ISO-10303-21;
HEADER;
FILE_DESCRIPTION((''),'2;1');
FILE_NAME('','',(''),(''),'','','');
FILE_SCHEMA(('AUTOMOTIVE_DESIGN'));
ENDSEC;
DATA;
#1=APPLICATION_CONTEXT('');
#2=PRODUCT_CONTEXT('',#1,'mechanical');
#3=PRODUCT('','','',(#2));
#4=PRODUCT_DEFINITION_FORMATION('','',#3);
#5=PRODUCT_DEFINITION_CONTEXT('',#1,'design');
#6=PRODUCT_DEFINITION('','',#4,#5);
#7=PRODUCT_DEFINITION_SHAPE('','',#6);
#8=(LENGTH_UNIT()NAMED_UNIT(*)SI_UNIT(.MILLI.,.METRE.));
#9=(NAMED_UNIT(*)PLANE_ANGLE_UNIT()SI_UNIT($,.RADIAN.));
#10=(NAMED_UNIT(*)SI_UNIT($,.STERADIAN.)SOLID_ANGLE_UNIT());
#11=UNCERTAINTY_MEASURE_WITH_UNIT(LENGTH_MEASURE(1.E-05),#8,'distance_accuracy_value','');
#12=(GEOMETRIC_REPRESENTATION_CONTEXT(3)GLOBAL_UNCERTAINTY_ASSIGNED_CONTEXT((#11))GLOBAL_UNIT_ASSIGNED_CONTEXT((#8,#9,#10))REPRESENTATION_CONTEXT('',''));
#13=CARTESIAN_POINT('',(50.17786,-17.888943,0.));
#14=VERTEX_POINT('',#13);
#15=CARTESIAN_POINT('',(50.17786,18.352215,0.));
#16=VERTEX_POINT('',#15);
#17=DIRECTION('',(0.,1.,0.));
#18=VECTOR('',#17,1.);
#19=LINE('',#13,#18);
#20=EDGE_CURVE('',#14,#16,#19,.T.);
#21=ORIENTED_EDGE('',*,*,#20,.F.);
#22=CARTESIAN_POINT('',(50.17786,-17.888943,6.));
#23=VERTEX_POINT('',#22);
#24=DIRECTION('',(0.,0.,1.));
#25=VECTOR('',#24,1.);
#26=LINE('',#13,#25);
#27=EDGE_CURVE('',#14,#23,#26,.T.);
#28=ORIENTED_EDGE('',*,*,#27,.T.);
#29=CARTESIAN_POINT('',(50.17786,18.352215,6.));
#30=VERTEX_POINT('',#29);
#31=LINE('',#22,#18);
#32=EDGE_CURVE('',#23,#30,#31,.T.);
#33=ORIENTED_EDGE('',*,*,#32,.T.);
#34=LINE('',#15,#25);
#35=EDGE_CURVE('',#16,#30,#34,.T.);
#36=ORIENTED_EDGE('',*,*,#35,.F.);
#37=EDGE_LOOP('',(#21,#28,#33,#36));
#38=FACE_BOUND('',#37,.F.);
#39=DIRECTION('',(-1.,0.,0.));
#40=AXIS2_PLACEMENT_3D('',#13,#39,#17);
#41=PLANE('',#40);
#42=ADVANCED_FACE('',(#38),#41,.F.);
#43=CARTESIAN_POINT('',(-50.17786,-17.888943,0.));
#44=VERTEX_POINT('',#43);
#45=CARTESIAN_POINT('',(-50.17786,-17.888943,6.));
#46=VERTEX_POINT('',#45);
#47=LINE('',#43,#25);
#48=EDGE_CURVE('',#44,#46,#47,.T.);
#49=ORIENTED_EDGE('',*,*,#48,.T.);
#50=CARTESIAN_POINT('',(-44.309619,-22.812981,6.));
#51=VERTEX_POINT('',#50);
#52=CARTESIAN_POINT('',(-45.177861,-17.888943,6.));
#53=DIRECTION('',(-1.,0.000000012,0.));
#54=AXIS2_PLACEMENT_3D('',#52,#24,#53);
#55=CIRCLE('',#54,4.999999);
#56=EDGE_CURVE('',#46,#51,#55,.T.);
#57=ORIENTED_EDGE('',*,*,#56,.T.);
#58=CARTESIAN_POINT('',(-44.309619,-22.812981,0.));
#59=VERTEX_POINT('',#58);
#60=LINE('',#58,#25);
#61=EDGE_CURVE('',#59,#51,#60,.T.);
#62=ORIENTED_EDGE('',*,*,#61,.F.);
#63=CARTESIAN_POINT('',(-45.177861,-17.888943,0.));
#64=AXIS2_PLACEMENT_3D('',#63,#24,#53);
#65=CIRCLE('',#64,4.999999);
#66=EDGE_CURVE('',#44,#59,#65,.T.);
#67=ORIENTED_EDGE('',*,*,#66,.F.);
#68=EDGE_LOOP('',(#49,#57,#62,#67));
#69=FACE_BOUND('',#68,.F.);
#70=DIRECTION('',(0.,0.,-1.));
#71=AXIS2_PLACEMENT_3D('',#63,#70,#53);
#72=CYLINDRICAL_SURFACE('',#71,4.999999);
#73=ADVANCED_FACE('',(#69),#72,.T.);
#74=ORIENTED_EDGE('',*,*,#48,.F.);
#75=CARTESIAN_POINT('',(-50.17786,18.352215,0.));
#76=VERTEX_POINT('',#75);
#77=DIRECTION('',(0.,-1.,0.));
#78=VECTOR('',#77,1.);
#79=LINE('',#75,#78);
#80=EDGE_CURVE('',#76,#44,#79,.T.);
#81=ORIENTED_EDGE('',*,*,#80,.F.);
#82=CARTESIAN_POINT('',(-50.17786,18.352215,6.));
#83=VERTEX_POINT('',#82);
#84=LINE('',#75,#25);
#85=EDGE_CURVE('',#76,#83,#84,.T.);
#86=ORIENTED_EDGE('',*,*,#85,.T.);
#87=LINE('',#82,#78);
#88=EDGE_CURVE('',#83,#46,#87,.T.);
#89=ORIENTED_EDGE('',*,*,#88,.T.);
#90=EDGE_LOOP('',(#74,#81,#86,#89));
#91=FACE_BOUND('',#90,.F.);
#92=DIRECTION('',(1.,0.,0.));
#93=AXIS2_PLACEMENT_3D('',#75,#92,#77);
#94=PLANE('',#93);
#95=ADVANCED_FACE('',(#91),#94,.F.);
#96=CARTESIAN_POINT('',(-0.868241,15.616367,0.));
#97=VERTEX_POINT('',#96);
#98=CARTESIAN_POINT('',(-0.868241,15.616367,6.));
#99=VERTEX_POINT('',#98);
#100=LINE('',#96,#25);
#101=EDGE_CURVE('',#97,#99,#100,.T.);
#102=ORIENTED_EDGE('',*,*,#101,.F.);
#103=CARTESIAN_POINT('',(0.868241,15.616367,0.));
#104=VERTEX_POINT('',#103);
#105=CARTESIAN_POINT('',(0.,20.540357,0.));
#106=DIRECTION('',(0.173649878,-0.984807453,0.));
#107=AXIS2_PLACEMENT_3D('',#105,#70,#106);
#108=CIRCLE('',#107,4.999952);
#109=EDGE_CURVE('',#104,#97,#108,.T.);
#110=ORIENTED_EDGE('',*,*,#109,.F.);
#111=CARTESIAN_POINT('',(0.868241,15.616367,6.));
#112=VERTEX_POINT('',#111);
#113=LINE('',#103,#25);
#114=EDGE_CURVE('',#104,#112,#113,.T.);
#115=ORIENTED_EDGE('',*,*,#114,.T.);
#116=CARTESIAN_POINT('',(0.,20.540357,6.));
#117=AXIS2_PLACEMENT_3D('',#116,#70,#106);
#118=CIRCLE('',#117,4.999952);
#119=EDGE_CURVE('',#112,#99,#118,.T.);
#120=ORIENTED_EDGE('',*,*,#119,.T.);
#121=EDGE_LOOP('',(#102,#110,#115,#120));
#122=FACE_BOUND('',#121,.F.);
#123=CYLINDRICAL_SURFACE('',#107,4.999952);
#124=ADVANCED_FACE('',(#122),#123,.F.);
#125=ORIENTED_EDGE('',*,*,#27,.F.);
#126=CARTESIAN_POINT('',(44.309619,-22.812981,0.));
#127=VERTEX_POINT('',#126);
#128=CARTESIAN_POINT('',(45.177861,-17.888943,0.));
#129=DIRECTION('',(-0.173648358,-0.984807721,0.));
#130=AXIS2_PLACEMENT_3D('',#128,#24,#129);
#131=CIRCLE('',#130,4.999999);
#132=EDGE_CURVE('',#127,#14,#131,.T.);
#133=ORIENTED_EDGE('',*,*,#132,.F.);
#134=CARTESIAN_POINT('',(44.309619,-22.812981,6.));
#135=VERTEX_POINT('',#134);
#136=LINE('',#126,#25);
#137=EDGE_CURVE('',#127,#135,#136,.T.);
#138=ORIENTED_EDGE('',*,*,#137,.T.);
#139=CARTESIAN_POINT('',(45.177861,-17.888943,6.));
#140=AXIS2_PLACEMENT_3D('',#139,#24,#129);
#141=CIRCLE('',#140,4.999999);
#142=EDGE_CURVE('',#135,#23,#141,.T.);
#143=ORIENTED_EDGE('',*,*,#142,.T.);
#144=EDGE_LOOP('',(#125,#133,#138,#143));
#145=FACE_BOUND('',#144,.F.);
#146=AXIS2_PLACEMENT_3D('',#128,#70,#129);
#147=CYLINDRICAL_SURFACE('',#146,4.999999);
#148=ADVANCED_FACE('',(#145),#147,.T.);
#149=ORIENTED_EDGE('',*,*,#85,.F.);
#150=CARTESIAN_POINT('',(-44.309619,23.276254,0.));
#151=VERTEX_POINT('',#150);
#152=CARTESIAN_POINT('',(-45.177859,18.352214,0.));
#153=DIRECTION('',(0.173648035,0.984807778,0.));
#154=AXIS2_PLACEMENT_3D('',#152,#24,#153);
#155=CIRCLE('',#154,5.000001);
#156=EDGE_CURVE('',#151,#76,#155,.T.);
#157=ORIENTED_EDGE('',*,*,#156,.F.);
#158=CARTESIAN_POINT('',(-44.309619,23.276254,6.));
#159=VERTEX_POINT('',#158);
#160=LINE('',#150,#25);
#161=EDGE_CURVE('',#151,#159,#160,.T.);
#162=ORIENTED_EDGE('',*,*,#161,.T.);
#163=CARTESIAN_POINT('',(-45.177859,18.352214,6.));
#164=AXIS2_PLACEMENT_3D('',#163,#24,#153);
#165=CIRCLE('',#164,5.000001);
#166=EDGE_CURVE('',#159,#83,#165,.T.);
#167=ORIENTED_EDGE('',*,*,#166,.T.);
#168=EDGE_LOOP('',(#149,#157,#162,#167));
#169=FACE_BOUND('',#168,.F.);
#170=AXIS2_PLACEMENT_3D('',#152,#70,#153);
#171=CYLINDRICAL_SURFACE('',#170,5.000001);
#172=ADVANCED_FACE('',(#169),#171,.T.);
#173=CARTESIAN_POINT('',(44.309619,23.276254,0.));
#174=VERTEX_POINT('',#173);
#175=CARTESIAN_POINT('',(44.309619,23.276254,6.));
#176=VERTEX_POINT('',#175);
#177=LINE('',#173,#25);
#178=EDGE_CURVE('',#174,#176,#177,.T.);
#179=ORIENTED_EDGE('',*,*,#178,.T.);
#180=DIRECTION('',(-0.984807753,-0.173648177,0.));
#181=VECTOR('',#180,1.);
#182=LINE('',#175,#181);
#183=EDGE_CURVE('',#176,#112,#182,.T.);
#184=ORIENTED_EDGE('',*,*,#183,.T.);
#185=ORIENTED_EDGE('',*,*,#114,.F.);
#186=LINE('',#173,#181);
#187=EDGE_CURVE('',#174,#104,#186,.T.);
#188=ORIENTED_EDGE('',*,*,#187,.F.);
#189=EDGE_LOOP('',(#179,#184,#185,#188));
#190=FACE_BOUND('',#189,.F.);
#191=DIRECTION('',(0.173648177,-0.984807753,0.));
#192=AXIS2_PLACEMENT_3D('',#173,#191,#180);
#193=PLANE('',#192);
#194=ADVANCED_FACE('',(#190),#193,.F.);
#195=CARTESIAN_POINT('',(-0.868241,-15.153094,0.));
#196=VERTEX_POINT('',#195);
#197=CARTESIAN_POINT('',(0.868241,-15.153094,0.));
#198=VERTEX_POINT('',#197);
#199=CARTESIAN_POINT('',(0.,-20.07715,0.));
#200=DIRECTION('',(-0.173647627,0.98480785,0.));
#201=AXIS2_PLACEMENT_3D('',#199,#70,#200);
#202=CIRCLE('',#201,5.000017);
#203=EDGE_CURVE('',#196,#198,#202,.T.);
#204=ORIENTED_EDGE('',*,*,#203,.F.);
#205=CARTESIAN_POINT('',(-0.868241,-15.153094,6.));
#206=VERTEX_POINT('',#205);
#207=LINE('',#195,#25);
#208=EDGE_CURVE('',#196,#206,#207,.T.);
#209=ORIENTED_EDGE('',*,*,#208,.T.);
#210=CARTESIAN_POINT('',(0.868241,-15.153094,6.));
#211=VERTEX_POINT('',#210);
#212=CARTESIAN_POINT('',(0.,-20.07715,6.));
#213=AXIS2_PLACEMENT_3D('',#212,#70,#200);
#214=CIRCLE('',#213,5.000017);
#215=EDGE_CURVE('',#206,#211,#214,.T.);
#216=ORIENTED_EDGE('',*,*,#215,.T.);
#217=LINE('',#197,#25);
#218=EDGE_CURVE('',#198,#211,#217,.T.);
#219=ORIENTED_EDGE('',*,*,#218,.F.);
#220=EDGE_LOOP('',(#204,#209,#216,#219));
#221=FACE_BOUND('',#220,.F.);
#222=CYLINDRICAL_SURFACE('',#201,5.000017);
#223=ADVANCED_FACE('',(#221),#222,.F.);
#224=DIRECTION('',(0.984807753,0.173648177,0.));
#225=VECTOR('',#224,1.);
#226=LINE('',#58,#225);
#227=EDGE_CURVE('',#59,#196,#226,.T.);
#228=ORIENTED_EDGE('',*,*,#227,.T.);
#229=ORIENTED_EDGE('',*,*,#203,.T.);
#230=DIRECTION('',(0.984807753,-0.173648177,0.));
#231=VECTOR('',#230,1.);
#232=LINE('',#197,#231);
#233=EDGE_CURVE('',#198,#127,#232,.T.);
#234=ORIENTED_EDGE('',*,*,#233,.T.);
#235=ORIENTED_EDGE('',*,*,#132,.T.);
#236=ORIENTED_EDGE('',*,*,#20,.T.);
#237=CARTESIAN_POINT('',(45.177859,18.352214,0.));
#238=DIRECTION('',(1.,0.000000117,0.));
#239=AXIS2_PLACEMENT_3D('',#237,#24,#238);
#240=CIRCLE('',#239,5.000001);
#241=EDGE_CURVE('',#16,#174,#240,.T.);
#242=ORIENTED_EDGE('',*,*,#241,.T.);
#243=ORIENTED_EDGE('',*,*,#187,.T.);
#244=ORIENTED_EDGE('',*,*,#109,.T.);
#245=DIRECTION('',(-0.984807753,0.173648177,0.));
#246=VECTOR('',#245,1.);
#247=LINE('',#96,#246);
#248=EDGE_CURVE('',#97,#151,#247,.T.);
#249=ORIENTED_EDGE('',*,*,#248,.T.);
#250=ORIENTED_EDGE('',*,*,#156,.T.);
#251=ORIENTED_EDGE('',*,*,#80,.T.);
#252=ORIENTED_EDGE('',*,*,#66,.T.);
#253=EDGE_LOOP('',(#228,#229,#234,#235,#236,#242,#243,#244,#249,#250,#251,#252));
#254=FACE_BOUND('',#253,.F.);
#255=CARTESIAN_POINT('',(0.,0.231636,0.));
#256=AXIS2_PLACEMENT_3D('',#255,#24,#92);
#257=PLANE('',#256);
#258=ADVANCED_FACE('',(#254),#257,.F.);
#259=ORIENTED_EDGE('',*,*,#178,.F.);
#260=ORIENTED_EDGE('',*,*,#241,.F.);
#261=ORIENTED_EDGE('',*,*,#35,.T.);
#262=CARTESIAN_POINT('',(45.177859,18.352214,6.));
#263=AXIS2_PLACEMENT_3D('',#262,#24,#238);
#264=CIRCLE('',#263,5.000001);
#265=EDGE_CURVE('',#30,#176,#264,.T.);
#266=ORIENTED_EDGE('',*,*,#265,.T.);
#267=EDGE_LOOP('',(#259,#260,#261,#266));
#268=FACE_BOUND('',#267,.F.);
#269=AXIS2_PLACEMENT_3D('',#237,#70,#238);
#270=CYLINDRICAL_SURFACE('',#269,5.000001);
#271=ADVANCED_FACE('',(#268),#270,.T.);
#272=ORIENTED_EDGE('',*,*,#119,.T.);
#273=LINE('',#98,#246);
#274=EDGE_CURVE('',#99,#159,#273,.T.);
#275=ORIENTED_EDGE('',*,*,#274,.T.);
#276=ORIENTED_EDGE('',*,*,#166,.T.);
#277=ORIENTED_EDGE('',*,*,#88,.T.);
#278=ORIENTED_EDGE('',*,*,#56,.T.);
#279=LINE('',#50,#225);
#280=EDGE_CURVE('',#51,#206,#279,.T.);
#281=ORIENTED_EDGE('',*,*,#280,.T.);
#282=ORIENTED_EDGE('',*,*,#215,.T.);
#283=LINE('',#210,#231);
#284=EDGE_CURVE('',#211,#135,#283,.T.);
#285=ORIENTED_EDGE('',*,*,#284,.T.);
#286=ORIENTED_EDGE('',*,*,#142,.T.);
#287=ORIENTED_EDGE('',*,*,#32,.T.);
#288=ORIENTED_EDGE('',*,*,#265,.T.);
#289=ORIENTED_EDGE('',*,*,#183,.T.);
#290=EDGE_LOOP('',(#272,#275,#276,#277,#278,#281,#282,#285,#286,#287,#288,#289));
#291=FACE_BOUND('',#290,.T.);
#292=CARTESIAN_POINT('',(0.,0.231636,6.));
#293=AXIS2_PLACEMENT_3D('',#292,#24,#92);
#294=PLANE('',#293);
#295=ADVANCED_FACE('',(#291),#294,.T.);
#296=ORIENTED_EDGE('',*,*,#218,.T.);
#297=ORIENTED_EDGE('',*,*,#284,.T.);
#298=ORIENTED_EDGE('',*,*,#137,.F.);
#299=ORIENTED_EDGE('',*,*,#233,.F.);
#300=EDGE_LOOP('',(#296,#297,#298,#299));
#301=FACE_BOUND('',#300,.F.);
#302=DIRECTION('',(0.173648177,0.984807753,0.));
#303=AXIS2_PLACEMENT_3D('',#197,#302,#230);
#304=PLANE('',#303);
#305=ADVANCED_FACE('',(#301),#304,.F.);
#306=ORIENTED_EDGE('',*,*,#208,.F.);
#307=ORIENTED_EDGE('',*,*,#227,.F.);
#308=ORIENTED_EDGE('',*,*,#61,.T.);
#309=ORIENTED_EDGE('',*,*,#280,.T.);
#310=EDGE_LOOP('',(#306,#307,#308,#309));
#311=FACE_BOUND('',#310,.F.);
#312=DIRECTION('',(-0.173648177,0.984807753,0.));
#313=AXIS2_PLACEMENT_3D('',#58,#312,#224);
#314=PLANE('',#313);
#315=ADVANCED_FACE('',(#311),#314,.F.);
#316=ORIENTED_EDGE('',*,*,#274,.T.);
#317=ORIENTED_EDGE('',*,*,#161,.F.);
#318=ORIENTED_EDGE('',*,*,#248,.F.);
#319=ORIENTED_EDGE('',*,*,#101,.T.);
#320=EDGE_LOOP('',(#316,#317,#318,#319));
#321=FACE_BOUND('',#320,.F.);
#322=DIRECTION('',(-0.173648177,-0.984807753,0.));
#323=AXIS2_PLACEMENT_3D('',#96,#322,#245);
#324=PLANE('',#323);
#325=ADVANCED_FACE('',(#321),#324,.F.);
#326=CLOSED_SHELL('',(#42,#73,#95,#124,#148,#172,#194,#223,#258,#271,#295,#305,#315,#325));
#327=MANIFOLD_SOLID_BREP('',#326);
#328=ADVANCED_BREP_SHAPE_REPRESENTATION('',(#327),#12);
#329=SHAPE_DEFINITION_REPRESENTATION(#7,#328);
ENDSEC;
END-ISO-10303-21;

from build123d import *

# Parameters (mm, degrees)
F1_DEPTH = 6


with BuildPart() as f1:
    # F0 (on Top) → F1 (new body)
    with BuildSketch(Plane.XY):
        with BuildLine():
            Line((44.309619, 23.276254), (0.868241, 15.616367))
            ThreePointArc((0.868241, 15.616367), (0, 15.540405), (-0.868241, 15.616367))
            Line((-0.868241, 15.616367), (-44.309619, 23.276254))
            ThreePointArc((-44.309619, 23.276254), (-48.391798, 22.182437), (-50.17786, 18.352215))
            Line((-50.17786, 18.352215), (-50.17786, -17.888943))
            ThreePointArc((-50.17786, -17.888943), (-48.391798, -21.719165), (-44.309619, -22.812981))
            Line((-44.309619, -22.812981), (-0.868241, -15.153094))
            ThreePointArc((-0.868241, -15.153094), (0, -15.077133), (0.868241, -15.153094))
            Line((0.868241, -15.153094), (44.309619, -22.812981))
            ThreePointArc((44.309619, -22.812981), (48.391798, -21.719165), (50.17786, -17.888943))
            Line((50.17786, -17.888943), (50.17786, 18.352215))
            ThreePointArc((50.17786, 18.352215), (48.391798, 22.182437), (44.309619, 23.276254))
        make_face()
    extrude(amount=F1_DEPTH)


solid = f1.part
